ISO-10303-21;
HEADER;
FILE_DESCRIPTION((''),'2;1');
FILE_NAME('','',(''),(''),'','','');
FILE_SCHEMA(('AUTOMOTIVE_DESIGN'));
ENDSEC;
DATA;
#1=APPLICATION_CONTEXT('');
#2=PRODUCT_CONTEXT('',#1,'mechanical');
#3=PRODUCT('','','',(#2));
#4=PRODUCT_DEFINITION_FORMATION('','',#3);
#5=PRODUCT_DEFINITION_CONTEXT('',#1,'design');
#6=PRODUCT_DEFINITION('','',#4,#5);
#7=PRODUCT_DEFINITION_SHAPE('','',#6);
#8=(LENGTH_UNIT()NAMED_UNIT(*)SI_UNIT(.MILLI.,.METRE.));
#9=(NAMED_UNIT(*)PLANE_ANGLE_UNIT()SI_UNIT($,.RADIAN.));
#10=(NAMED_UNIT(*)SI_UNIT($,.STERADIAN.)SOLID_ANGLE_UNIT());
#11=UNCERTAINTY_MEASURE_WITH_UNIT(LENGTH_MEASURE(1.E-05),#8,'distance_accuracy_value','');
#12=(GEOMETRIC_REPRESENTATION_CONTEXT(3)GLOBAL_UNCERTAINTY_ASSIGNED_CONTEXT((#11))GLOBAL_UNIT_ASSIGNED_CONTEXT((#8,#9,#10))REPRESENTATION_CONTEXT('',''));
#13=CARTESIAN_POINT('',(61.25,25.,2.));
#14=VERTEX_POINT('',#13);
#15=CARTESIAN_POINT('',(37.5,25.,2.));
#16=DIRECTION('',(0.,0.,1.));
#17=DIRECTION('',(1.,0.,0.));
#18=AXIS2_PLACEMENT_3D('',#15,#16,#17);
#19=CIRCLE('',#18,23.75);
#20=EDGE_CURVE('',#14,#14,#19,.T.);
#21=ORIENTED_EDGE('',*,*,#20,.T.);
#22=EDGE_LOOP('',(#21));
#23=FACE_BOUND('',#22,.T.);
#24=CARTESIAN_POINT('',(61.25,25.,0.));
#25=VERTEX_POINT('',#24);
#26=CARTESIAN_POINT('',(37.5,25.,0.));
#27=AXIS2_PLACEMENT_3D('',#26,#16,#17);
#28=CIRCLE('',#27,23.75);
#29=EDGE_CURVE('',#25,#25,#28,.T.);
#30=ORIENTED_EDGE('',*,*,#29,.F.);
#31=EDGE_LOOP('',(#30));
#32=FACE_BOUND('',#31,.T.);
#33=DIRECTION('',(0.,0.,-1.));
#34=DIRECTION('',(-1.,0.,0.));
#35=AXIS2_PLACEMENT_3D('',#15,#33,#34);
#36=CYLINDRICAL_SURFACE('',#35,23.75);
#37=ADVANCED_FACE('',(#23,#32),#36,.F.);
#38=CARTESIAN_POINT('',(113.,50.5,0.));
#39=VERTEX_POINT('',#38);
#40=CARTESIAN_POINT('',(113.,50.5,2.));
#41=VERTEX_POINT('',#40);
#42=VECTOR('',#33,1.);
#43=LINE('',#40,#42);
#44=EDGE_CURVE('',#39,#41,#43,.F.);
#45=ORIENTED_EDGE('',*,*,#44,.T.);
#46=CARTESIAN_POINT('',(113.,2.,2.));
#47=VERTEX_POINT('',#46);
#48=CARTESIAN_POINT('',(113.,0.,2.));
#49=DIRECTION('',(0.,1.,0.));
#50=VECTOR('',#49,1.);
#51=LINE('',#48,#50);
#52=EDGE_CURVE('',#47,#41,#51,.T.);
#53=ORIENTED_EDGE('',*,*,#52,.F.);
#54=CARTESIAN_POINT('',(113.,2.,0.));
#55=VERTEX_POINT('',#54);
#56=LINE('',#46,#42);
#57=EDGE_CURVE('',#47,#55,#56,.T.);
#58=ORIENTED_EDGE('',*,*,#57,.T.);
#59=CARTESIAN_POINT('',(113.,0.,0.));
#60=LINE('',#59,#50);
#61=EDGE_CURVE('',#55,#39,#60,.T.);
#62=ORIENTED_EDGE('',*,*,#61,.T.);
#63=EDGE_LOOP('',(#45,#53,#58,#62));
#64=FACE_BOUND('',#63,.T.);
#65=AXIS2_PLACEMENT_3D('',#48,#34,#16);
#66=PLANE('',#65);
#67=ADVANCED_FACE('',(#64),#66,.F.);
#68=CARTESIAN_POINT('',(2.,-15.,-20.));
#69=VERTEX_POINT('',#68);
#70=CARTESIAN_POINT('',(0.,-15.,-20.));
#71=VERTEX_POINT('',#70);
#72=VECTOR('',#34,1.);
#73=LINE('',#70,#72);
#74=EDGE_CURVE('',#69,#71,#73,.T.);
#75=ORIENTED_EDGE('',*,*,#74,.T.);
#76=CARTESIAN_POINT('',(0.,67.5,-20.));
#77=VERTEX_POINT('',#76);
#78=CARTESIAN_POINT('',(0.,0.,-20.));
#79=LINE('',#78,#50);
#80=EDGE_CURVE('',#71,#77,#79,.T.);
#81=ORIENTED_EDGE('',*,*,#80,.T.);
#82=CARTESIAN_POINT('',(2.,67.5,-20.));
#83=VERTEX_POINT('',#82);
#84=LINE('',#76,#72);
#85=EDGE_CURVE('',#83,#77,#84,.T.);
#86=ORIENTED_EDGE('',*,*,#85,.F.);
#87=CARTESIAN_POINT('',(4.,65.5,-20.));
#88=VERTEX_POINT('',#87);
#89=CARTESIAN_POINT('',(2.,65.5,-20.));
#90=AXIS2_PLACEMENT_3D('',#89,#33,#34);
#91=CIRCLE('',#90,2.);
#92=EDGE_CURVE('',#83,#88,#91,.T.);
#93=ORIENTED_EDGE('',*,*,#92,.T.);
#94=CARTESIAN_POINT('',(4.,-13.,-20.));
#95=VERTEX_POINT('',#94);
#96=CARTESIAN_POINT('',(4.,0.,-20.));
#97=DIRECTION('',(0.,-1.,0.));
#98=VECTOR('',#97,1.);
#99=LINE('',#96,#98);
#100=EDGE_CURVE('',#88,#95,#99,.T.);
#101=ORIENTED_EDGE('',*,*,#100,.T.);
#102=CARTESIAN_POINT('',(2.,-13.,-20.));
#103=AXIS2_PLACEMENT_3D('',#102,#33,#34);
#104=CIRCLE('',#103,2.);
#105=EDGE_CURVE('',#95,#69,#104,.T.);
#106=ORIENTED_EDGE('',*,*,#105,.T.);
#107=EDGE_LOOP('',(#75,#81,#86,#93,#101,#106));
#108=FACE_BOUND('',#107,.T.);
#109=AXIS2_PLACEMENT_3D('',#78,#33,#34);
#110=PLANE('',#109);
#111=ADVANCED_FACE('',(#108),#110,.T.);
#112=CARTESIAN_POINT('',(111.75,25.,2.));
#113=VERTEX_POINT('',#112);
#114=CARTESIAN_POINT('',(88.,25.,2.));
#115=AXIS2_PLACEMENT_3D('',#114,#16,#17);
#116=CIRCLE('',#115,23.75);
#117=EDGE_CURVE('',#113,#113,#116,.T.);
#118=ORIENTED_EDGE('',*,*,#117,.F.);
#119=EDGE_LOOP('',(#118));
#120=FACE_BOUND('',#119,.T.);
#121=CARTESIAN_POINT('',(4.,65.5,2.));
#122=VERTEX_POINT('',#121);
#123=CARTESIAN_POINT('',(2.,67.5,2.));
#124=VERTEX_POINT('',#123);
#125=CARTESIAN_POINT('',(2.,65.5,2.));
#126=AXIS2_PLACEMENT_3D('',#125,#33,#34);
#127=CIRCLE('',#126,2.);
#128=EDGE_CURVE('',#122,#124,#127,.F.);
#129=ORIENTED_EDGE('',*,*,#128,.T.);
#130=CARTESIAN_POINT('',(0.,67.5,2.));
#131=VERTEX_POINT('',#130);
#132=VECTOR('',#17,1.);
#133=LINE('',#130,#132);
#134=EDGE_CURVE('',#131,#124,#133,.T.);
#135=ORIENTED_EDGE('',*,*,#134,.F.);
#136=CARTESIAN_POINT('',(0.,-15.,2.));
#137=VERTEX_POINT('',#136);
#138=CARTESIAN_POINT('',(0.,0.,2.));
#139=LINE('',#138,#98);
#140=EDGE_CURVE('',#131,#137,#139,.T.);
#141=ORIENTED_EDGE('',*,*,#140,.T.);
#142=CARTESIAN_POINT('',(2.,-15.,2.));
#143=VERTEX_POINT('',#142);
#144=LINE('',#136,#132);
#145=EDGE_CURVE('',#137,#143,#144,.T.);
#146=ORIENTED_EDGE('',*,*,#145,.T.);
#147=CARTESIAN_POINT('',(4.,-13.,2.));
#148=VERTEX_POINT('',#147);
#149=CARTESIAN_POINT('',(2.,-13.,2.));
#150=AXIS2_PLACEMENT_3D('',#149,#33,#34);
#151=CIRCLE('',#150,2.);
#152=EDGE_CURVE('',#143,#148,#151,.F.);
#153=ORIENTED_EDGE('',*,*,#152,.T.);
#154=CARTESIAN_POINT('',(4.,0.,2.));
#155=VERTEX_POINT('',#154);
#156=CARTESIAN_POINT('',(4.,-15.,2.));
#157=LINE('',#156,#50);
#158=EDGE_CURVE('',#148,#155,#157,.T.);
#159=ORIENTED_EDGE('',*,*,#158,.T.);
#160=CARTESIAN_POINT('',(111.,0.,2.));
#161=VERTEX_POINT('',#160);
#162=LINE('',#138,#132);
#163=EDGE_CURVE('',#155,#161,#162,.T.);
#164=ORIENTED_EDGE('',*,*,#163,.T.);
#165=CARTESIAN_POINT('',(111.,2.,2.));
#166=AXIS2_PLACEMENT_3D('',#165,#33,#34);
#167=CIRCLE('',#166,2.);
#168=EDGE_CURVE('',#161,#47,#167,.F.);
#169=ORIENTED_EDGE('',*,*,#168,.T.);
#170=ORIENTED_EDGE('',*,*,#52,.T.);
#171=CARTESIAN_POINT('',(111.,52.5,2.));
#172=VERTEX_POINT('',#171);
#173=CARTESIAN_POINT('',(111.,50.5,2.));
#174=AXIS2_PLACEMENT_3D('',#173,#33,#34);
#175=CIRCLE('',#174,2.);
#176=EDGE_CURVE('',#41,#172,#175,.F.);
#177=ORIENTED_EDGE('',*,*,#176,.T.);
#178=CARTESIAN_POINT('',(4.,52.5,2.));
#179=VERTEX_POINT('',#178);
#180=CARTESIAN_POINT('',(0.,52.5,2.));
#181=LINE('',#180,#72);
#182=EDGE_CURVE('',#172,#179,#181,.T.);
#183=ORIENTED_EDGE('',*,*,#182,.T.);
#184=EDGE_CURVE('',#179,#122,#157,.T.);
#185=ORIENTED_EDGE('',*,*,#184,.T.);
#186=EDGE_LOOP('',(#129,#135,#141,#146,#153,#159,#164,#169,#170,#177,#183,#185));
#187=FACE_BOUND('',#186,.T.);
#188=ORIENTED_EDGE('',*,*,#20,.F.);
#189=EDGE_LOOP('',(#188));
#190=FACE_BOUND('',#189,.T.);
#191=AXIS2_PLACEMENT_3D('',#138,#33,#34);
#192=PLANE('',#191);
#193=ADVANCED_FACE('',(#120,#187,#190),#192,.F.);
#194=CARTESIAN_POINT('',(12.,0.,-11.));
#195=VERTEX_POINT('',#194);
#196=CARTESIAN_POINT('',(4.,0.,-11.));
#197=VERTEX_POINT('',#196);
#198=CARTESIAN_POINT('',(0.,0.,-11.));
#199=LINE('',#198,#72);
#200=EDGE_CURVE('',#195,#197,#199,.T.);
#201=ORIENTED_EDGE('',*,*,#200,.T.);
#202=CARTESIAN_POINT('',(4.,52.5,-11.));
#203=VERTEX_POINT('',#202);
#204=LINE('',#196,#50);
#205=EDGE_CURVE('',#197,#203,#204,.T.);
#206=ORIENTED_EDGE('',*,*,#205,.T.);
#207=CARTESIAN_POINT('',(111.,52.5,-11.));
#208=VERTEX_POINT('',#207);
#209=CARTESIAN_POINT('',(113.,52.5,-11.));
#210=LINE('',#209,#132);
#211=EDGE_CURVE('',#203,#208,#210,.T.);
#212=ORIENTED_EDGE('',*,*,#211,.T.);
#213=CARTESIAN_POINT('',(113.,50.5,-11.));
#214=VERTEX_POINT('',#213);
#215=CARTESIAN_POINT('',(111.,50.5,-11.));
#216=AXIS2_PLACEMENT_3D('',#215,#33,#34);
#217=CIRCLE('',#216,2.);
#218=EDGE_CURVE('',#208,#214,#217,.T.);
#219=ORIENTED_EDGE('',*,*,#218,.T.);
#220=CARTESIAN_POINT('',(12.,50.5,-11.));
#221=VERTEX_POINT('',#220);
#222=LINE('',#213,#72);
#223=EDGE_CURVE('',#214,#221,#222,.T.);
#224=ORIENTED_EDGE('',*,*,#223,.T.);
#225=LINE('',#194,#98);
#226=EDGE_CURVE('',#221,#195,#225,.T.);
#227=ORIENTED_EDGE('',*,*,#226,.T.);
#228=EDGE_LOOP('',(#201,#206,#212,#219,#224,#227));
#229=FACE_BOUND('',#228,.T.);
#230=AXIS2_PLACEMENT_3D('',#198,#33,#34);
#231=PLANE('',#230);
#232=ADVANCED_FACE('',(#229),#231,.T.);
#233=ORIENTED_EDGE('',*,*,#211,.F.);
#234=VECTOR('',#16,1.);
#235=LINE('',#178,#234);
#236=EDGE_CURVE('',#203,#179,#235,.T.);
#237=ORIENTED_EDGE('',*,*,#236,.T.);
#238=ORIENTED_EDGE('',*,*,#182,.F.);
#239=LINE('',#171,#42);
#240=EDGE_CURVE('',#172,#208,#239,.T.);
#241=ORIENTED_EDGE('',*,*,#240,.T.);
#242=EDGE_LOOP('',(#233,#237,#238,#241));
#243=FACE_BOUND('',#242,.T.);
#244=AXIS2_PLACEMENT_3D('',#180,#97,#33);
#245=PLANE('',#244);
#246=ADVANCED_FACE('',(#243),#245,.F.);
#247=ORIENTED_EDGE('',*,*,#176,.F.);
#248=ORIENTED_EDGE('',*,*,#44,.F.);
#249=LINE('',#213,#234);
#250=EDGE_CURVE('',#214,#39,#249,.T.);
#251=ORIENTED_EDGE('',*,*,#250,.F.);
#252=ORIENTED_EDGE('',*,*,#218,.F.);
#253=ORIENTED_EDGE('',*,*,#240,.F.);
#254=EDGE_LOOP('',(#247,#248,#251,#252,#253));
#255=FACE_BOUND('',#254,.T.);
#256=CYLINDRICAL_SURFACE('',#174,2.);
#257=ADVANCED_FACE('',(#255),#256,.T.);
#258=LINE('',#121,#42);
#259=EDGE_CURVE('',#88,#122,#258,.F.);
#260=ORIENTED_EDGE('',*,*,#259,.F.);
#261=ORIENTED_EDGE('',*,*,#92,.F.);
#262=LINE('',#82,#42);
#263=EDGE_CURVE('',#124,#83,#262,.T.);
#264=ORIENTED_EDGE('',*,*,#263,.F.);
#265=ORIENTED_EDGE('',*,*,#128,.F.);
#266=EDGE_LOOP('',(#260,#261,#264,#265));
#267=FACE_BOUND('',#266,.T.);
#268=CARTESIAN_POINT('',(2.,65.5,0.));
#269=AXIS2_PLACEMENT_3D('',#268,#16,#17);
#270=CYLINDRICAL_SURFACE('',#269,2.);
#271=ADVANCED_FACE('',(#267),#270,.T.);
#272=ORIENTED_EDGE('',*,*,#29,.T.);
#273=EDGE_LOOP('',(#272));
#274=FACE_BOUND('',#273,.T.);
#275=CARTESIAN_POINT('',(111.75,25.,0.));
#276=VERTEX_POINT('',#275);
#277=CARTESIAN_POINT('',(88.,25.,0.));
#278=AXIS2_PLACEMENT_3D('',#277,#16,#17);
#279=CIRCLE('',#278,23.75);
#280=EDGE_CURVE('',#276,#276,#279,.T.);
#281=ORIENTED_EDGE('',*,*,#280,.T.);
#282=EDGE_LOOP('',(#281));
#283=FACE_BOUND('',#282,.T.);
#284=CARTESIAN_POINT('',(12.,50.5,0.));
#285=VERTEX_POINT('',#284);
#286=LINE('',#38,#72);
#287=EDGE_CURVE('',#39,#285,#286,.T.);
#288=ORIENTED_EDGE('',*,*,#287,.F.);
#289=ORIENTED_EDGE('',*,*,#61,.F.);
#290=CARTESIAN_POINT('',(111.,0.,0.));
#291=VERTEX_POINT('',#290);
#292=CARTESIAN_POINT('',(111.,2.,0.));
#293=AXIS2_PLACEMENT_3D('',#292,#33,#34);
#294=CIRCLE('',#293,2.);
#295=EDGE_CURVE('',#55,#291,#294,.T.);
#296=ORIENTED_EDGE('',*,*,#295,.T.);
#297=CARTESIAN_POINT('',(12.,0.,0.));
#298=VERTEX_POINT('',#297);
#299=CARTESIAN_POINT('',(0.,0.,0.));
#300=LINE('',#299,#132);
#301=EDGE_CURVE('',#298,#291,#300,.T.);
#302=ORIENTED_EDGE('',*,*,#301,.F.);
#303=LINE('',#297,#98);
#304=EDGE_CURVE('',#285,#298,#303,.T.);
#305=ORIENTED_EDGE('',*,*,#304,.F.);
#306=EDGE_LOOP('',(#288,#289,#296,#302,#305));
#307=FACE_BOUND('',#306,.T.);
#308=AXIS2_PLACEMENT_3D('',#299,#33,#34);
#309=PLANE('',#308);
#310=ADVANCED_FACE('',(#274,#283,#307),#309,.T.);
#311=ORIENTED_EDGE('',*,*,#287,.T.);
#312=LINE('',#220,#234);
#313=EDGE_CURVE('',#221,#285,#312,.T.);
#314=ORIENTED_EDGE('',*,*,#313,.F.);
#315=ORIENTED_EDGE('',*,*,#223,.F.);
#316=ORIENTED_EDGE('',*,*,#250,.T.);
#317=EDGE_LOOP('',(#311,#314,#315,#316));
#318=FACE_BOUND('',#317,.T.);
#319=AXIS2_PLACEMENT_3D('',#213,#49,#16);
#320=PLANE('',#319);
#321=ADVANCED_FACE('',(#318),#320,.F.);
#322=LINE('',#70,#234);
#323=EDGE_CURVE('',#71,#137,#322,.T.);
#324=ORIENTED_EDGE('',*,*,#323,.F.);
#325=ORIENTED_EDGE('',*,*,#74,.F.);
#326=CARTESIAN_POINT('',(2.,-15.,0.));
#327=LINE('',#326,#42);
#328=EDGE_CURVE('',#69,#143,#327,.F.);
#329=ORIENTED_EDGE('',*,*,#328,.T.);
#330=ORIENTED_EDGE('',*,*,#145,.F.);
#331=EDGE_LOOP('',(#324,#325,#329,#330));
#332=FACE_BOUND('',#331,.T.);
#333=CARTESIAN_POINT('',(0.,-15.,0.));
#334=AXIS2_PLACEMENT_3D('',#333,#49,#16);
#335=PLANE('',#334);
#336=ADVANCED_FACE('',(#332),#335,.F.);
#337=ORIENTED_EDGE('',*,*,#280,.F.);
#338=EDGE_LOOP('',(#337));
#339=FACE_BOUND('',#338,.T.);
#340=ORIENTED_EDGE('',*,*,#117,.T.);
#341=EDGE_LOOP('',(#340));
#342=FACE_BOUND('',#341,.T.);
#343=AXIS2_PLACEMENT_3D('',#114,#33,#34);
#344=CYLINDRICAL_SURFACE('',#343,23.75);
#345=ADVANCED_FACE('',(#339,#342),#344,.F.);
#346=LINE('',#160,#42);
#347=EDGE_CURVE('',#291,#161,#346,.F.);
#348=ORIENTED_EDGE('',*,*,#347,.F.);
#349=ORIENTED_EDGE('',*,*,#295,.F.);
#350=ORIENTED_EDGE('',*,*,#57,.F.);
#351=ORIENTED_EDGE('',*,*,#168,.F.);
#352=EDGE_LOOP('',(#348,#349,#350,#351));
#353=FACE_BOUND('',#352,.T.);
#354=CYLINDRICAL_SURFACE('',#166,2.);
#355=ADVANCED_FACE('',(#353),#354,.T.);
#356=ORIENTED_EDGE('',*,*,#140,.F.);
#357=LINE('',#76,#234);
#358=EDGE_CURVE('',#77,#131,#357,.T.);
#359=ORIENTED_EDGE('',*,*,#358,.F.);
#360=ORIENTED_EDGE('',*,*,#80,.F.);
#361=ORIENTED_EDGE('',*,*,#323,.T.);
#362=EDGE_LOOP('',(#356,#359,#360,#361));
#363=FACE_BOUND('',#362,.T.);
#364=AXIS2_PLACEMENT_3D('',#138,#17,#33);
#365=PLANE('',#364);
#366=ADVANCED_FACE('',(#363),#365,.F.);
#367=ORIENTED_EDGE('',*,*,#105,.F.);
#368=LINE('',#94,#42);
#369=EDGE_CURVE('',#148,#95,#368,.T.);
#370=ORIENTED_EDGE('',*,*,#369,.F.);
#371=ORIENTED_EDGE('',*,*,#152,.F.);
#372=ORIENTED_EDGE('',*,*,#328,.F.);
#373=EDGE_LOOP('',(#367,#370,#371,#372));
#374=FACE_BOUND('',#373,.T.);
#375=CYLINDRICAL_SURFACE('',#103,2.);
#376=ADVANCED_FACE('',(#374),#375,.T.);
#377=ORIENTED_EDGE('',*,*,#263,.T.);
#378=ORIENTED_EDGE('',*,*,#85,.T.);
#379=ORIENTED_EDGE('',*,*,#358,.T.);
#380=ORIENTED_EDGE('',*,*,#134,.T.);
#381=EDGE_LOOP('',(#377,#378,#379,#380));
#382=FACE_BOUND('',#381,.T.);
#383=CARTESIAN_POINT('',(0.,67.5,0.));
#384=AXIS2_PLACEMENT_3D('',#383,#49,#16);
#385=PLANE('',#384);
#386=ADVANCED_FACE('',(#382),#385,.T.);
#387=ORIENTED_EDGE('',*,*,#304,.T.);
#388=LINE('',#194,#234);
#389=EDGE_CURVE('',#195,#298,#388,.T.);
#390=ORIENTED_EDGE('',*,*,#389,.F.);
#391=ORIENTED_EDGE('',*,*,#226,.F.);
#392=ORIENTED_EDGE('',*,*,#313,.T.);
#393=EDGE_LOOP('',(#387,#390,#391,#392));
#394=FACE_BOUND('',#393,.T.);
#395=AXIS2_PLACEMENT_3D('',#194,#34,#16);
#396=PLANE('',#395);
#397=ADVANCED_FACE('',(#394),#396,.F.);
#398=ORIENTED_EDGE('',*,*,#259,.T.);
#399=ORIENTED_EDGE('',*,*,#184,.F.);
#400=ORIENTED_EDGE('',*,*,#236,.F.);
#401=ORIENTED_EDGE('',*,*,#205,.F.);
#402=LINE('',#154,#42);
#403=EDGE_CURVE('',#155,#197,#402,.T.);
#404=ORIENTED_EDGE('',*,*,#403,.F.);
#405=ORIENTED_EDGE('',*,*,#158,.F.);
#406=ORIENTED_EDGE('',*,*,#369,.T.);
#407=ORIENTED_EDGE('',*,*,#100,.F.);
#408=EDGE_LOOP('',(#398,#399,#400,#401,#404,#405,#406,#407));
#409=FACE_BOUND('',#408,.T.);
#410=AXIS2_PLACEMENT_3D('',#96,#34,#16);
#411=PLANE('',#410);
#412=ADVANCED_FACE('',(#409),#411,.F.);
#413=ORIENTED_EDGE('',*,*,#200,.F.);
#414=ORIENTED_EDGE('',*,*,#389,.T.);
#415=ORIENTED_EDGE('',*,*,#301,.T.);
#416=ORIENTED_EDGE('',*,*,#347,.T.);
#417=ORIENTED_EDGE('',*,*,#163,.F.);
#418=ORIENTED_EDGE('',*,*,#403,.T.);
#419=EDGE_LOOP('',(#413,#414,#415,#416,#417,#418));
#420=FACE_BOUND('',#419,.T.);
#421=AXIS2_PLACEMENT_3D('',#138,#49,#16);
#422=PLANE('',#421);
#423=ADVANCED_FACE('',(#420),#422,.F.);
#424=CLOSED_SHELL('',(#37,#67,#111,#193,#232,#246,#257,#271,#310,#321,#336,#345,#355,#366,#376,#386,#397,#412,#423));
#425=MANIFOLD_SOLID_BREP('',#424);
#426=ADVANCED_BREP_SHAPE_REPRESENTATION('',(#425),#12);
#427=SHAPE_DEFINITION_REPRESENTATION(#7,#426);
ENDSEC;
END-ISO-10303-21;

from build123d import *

# Parameters (mm, degrees)
SKETCH_1_W           = 113
SKETCH_1_H           = 52.5
SKETCH_1_R           = 23.75
EXTRUDE_1_DEPTH      = 2
SKETCH_2_W           = 113
SKETCH_2_H           = 2
EXTRUDE_2_DEPTH      = 11
FILLET_1_R           = 2
SKETCH_3_W           = 4
SKETCH_3_H           = 52.5
EXTRUDE_3_DEPTH      = 20
EXTRUDE_4_DEPTH      = 11
SKETCH_5_W           = 4
SKETCH_5_H           = 22
EXTRUDE_5_DEPTH      = 15
EXTRUDE_5_DEPTH_BACK = 67.5
FILLET_2_R           = 2


with BuildPart() as part:
    # 스케치1 → 보스-돌출1 (new body)
    with BuildSketch(Plane.XY):
        with Locations((56.5, 26.25)):
            Rectangle(SKETCH_1_W, SKETCH_1_H)
        with Locations((88, 25)):
            Circle(SKETCH_1_R, mode=Mode.SUBTRACT)
        with Locations((37.5, 25)):
            Circle(SKETCH_1_R, mode=Mode.SUBTRACT)
    extrude(amount=EXTRUDE_1_DEPTH)

    # 스케치2 → 보스-돌출2 (add)
    with BuildSketch(Plane(origin=(0, 0, 0), x_dir=(-1, 0, 0), z_dir=(0, 0, -1))):
        with Locations((-56.5, 51.5)):
            Rectangle(SKETCH_2_W, SKETCH_2_H)
    extrude(amount=EXTRUDE_2_DEPTH)

    # 필렛1
    fillet_1_edges = [part.edges().sort_by_distance(p)[0] for p in [
        (113, 0, 1),
        (113, 52.5, -4.5),
    ]]
    fillet(fillet_1_edges, radius=FILLET_1_R)

    # 스케치3 → 보스-돌출3 (add)
    with BuildSketch(Plane(origin=(0, 0, 0), x_dir=(-1, 0, 0), z_dir=(0, 0, -1))):
        with Locations((-2, 26.25)):
            Rectangle(SKETCH_3_W, SKETCH_3_H)
    extrude(amount=EXTRUDE_3_DEPTH)

    # 스케치4 → 보스-돌출4 (add)
    with BuildSketch(Plane(origin=(0, 0, 0), x_dir=(-1, 0, 0), z_dir=(0, 0, -1))):
        Polygon((-4, 0), (-4, 50.5), (-12, 50.5), (-12, 25), (-12, 0), align=None)
    extrude(amount=EXTRUDE_4_DEPTH)

    # 스케치5 → 보스-돌출5 (add, two sides)
    with BuildSketch(Plane(origin=(0, 52.5, 0), x_dir=(1, 0, 0), z_dir=(0, 1, 0))) as extrude_5_sk:
        with Locations((2, 9)):
            Rectangle(SKETCH_5_W, SKETCH_5_H)
    extrude(amount=EXTRUDE_5_DEPTH)
    extrude(extrude_5_sk.sketch, amount=-EXTRUDE_5_DEPTH_BACK)

    # 필렛2
    fillet_2_edges = [part.edges().sort_by_distance(p)[0] for p in [
        (4, -15, -9),
        (4, 67.5, -9),
    ]]
    fillet(fillet_2_edges, radius=FILLET_2_R)


solid = part.part
